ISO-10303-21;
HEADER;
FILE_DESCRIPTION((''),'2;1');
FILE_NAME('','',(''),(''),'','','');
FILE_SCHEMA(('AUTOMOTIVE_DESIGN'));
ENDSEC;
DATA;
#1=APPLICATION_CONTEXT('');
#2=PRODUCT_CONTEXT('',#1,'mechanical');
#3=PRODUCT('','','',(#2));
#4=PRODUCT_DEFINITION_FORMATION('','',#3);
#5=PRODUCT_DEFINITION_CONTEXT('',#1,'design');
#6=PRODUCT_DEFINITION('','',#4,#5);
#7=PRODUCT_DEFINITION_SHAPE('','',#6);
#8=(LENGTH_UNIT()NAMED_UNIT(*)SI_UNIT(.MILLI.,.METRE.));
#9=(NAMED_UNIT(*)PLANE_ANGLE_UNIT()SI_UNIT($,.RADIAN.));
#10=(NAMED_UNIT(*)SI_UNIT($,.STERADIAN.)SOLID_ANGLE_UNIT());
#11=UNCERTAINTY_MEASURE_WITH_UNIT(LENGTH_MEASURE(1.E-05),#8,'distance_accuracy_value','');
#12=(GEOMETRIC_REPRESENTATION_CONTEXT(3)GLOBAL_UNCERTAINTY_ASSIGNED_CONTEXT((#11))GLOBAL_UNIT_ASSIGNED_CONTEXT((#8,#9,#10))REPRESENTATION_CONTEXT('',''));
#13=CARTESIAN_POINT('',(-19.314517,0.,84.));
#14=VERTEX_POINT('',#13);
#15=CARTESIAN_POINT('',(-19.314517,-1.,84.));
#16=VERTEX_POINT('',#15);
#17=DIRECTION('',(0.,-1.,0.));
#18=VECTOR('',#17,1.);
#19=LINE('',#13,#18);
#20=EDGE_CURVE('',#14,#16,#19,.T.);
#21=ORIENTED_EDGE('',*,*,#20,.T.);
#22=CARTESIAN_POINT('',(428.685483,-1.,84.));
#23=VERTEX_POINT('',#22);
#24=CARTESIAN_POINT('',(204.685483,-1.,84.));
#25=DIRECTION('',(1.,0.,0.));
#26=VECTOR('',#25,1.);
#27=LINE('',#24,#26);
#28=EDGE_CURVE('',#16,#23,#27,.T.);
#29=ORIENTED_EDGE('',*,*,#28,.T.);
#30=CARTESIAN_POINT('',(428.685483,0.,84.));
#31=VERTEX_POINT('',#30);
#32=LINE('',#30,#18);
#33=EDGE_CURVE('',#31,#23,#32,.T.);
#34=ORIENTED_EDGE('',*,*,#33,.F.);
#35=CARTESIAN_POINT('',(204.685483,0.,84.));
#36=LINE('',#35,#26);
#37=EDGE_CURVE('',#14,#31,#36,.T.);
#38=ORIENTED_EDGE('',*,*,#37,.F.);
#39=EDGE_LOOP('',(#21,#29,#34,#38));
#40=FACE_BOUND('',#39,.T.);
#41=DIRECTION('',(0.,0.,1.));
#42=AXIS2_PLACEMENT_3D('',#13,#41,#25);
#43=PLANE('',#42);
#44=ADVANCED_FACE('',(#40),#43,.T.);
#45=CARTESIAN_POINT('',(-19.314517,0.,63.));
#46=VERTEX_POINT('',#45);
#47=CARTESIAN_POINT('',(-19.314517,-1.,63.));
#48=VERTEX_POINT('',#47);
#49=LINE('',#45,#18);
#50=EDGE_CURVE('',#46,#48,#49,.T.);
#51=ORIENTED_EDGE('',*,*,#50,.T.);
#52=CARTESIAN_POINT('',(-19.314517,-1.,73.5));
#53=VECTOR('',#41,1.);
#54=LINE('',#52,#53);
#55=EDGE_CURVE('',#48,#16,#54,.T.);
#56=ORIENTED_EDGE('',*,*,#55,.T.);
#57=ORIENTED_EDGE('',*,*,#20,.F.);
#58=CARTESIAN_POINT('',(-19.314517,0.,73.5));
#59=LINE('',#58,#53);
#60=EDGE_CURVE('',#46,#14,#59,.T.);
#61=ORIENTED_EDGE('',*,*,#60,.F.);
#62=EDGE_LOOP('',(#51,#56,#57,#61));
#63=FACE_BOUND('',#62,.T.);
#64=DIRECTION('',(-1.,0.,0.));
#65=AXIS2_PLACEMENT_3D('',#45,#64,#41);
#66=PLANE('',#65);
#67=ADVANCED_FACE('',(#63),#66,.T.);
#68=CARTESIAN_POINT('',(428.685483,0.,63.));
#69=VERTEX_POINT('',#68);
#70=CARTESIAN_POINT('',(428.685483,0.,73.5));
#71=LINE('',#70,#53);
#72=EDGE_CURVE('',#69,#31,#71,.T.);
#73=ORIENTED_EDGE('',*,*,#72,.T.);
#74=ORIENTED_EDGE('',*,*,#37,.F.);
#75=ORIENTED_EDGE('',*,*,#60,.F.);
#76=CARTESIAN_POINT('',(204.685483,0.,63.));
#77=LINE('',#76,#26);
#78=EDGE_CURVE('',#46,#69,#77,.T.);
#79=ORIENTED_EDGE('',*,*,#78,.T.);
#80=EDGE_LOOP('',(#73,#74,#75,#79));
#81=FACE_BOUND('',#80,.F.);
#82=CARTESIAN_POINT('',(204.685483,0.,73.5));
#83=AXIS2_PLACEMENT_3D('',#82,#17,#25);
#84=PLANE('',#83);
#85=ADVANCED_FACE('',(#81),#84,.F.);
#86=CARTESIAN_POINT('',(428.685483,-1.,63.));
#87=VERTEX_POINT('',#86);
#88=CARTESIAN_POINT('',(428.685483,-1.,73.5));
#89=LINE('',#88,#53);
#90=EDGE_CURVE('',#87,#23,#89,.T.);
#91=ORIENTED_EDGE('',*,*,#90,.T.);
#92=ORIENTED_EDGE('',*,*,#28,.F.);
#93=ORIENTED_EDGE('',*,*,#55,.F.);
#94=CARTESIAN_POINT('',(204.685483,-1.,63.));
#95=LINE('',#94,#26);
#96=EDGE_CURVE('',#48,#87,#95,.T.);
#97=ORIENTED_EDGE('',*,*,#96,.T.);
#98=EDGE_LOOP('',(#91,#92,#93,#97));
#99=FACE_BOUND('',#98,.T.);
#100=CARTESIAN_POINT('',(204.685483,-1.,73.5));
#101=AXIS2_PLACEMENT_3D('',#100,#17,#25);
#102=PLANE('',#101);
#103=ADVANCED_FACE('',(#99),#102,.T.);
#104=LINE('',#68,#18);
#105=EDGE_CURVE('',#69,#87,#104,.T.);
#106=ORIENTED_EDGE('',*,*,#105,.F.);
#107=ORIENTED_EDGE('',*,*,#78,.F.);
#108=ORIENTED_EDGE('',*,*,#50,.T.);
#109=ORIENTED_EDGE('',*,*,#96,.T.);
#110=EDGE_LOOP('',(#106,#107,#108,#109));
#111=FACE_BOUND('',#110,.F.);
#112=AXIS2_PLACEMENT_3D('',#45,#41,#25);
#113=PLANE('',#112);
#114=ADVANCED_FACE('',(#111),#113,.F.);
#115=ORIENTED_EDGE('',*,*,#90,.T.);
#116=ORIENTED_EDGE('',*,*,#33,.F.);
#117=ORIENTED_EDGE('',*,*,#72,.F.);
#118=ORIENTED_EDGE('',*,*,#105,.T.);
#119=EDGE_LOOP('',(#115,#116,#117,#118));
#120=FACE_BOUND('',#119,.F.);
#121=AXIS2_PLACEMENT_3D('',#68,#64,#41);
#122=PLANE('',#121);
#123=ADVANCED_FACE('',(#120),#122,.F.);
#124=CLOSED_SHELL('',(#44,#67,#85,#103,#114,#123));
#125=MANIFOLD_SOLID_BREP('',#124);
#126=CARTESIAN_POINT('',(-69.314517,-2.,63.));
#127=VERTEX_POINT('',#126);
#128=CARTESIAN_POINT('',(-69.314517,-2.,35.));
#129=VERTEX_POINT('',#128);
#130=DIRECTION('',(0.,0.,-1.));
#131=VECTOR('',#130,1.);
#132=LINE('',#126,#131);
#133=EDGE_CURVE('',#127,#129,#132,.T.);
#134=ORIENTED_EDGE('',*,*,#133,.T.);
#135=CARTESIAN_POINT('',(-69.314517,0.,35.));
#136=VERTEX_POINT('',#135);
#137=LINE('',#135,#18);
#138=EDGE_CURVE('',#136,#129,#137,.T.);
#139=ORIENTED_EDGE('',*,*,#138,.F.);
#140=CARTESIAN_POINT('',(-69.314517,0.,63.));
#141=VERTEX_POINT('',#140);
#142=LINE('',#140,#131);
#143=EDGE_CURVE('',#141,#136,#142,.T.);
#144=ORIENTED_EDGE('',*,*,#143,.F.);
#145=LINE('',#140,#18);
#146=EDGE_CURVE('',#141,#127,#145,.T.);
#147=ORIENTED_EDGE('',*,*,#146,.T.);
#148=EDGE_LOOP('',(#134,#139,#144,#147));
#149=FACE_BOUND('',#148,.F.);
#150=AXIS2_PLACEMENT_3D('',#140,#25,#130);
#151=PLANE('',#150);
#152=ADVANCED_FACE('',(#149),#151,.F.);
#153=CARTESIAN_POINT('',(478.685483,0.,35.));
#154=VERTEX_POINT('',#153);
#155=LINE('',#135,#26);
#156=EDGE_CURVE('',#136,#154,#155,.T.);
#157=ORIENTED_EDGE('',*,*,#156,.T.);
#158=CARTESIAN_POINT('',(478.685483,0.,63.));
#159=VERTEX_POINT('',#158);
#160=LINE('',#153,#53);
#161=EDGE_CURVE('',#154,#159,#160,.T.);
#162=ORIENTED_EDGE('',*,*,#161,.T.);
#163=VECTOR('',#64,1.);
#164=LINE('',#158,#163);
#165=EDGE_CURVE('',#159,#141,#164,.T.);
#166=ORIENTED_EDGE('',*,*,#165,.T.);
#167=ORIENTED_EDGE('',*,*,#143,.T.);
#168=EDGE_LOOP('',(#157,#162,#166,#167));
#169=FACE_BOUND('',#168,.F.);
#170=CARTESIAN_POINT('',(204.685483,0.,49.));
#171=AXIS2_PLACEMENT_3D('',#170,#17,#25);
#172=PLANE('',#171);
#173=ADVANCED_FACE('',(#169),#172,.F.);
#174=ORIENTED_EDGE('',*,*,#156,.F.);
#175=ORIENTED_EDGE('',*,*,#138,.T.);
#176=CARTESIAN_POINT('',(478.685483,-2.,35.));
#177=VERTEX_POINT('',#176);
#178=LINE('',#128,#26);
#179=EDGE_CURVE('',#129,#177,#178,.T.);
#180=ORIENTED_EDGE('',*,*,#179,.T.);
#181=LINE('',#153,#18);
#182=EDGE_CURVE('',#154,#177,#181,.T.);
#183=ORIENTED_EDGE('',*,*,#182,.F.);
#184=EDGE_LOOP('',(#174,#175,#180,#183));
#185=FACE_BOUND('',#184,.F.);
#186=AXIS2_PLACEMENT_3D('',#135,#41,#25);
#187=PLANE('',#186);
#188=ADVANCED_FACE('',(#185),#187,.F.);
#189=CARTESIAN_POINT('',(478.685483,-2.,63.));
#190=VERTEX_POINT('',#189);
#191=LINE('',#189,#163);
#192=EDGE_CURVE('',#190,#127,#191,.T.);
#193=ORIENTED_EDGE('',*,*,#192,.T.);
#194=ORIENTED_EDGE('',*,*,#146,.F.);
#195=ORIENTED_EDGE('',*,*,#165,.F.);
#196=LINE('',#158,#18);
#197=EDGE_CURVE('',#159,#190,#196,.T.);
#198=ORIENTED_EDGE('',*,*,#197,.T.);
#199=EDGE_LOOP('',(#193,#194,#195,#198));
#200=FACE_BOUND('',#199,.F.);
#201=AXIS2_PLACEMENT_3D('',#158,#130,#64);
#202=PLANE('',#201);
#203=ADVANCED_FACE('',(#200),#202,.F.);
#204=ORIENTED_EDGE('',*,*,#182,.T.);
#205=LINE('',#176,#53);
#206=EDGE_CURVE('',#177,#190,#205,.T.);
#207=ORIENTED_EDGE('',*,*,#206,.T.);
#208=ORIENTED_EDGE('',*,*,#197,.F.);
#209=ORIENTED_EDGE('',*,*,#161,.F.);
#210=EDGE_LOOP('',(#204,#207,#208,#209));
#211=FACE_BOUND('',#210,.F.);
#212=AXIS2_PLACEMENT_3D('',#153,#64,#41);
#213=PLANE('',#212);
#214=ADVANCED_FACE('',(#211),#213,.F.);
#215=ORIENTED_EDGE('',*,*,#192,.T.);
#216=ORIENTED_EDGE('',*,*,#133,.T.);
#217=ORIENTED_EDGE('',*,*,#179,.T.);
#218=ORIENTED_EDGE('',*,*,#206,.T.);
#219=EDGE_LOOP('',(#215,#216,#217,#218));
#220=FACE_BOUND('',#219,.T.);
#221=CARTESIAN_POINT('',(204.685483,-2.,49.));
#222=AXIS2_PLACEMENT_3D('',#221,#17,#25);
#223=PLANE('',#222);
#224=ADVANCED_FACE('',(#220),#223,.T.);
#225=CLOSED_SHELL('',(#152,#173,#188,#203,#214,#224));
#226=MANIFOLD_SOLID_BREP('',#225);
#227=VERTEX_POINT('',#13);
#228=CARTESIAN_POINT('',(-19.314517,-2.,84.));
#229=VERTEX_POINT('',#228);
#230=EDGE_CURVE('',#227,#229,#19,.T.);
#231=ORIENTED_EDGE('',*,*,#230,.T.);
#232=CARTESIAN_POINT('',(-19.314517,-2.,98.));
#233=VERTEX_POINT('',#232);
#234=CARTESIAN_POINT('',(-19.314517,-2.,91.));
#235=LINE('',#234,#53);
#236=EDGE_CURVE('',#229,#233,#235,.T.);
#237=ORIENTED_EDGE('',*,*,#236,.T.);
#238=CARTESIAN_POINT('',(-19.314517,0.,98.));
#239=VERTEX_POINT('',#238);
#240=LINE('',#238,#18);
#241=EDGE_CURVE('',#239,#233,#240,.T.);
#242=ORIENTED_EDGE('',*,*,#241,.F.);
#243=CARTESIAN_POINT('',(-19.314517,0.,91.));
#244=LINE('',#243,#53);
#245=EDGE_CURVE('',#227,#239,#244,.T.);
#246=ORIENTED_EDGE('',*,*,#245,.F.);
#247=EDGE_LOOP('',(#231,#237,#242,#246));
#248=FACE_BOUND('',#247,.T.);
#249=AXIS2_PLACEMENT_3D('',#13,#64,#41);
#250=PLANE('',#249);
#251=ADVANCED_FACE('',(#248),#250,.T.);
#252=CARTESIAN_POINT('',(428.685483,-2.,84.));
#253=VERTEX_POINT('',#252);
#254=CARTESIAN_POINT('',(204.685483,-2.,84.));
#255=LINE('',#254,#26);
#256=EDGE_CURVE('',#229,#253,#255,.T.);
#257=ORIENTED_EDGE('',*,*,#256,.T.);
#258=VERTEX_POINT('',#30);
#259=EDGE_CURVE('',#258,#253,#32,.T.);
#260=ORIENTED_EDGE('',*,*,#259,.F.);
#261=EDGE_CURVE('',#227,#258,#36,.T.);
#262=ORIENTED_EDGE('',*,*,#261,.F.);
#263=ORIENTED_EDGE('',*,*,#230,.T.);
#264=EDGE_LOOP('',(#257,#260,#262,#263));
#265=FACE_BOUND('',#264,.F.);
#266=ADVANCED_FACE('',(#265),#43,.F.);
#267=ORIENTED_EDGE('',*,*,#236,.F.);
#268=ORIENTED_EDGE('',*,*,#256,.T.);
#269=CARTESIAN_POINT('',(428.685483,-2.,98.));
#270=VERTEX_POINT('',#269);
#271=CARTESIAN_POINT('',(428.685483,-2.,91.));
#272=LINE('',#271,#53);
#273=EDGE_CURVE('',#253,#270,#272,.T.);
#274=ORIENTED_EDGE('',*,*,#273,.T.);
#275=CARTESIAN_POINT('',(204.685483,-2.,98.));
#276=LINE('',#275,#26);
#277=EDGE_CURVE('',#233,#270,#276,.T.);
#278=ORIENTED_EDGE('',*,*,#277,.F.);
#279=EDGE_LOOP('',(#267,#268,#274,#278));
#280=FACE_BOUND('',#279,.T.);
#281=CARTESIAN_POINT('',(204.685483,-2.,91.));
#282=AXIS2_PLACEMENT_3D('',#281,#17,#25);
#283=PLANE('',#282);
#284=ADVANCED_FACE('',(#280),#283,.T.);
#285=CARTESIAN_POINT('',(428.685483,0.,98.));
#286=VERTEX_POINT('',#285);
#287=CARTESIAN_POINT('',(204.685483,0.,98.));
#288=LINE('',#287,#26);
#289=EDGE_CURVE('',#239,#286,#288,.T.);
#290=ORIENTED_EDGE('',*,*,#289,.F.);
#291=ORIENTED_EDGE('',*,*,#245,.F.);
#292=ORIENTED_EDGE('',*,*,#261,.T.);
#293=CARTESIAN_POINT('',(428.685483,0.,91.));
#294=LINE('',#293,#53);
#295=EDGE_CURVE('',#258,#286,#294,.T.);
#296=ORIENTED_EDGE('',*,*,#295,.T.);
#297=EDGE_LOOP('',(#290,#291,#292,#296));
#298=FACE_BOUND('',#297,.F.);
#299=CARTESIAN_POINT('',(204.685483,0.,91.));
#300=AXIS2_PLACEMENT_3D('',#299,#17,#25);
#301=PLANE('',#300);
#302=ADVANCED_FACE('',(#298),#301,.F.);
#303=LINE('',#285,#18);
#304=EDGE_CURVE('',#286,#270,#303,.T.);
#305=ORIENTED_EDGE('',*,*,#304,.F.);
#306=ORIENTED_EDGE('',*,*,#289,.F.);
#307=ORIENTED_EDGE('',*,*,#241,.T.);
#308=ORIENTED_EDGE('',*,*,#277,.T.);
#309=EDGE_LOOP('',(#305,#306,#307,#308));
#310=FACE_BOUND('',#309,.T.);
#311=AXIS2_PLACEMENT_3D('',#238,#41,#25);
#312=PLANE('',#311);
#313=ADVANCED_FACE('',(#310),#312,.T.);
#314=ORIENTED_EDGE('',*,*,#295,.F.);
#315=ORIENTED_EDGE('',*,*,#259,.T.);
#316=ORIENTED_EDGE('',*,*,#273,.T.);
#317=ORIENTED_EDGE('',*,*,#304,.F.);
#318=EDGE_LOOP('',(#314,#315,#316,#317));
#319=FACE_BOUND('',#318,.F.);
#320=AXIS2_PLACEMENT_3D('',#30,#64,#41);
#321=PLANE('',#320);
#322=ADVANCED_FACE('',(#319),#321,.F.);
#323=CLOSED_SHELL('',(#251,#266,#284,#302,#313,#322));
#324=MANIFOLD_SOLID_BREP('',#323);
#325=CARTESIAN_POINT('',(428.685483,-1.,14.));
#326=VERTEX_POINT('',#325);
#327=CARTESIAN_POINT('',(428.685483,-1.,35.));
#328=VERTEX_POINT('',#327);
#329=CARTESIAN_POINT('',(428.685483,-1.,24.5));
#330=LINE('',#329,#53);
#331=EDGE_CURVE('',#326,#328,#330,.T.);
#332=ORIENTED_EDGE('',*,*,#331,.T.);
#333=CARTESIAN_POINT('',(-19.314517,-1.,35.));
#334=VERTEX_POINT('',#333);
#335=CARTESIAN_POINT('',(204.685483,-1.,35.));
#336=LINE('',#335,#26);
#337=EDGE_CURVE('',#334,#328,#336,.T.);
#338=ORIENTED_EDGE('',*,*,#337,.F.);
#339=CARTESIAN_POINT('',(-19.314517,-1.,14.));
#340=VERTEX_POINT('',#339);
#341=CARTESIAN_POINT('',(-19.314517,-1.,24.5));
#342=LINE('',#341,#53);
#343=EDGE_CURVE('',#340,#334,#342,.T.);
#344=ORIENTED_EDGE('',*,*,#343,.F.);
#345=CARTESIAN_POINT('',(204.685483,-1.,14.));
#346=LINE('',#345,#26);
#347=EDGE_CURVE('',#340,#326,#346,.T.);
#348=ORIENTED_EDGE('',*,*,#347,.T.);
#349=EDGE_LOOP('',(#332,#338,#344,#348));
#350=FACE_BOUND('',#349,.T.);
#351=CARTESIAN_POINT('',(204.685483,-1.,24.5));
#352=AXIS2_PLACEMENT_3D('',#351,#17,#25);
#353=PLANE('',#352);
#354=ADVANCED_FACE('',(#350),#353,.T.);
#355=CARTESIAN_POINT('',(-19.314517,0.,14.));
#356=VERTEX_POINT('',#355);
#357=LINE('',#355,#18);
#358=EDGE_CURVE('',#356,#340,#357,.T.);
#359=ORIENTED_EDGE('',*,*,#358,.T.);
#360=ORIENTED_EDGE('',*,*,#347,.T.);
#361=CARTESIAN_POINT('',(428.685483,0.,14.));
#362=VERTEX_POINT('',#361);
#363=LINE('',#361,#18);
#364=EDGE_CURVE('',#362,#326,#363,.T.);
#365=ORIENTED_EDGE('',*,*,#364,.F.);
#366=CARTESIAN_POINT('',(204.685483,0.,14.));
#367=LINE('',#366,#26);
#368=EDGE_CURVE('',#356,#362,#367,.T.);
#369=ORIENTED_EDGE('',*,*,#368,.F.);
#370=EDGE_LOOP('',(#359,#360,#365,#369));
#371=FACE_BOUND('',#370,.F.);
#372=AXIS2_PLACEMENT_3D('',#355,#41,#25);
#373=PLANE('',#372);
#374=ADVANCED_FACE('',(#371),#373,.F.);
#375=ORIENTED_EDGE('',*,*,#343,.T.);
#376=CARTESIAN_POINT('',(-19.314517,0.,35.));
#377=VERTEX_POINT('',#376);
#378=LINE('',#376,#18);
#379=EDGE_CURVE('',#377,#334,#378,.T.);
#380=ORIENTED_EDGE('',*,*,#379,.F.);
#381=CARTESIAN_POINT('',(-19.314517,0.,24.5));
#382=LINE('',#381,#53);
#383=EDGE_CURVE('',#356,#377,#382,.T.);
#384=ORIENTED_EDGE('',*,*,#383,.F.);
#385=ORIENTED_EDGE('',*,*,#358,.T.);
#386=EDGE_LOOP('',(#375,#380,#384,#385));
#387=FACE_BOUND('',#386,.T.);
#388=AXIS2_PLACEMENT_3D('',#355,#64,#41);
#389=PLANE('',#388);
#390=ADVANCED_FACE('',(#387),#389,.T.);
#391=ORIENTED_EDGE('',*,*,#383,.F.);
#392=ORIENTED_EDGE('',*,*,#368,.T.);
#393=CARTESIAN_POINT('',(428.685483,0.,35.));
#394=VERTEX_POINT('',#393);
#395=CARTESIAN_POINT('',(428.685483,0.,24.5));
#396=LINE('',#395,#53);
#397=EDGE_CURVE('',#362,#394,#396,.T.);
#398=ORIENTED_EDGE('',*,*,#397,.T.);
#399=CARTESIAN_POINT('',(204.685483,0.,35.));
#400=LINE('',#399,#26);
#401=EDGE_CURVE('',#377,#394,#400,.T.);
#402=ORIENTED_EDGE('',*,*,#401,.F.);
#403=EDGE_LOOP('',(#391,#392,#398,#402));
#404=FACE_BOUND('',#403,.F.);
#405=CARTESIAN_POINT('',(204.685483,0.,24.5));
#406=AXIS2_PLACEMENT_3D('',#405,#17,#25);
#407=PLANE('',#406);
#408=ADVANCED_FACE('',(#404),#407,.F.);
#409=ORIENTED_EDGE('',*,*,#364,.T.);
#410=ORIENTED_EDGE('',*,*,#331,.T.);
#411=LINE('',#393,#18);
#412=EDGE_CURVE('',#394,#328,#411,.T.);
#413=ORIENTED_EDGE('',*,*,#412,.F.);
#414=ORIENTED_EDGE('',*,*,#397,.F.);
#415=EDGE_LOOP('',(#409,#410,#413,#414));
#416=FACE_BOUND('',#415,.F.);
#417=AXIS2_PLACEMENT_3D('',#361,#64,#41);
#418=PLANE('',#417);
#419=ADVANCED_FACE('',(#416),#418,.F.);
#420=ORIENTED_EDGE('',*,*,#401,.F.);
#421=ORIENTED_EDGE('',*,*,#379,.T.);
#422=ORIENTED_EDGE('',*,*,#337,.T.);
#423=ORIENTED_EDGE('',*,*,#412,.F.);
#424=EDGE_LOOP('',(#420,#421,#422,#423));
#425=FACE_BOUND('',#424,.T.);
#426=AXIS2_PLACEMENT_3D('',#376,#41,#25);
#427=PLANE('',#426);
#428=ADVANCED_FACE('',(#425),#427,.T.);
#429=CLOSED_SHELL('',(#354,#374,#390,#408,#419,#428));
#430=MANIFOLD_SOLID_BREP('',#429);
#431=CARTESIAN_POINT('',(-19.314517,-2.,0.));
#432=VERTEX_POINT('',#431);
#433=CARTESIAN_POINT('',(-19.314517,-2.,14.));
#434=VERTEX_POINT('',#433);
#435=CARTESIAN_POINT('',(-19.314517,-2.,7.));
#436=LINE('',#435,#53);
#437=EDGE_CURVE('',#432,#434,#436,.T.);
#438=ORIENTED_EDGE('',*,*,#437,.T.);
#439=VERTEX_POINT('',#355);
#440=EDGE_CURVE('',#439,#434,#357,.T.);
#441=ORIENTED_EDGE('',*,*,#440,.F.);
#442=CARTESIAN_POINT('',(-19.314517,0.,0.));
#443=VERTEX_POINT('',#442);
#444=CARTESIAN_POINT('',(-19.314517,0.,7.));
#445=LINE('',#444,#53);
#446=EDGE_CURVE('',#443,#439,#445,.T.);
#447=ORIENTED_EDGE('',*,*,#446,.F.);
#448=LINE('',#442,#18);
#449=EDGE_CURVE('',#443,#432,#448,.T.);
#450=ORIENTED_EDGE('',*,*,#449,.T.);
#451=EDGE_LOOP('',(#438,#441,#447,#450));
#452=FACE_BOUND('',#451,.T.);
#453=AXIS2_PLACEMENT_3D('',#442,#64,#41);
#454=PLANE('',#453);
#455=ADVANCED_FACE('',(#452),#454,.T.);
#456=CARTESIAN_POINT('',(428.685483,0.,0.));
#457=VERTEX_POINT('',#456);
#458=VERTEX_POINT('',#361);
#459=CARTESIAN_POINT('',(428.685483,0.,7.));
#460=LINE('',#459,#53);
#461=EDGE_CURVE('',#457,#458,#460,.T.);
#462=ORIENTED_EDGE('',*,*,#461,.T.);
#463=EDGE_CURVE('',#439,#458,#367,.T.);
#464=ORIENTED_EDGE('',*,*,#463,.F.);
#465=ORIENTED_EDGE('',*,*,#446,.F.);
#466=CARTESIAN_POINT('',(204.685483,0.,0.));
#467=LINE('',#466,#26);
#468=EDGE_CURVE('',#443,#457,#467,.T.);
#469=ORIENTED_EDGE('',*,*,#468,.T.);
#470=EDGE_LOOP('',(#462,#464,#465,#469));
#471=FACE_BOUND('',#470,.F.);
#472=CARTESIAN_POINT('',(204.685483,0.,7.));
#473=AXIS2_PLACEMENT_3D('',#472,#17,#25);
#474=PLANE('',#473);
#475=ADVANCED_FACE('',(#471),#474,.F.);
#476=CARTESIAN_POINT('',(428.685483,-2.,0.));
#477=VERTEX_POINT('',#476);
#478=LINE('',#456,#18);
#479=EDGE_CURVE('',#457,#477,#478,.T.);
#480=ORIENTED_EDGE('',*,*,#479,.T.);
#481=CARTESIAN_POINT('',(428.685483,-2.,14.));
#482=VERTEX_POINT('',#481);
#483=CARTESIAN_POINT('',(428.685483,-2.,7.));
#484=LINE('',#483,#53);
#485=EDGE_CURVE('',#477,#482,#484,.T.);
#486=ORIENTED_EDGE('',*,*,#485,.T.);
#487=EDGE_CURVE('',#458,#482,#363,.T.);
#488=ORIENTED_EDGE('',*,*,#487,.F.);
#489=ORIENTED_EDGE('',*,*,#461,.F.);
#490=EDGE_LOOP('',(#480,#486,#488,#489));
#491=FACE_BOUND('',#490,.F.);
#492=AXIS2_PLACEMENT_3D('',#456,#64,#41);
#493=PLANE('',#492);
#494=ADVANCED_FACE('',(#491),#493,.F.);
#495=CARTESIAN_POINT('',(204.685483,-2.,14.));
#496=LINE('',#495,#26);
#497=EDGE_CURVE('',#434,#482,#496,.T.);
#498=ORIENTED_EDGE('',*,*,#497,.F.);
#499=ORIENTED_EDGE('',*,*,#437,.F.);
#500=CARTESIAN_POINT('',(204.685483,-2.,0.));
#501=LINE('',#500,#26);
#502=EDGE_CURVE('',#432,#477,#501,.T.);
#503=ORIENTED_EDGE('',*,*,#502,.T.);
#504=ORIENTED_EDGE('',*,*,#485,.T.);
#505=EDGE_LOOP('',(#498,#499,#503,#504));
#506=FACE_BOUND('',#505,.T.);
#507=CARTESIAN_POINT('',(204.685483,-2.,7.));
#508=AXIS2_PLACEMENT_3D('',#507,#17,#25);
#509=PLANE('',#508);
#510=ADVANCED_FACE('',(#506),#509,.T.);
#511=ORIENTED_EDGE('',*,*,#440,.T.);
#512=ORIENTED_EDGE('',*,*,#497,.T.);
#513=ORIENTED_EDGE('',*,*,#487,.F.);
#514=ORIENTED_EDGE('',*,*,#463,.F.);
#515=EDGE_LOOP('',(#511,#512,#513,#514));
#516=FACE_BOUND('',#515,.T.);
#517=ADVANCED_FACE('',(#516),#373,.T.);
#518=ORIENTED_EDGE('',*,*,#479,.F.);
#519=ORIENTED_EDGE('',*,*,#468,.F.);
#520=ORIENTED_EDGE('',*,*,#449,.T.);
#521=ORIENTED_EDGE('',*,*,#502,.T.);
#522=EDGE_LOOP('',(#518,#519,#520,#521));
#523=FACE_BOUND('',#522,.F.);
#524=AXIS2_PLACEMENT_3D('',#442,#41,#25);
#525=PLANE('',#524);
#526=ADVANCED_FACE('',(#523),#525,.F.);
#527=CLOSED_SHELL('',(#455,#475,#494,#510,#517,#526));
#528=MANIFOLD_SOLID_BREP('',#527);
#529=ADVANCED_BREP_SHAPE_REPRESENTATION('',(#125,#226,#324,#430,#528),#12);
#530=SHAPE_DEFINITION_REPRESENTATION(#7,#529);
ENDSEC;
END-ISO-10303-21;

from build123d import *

# Parameters (mm, degrees)
F0_W     = 448
F0_H     = 14
F1_DEPTH = 2
F0_H_2   = 21
F2_DEPTH = 1


with BuildPart() as f1:
    # F0 (on Front) → F1 (new body)
    with BuildSketch(Plane.XZ):
        with Locations((204.685483, 91)):
            Rectangle(F0_W, F0_H)
        Polygon((-69.314517, 35), (-19.314517, 35), (428.685483, 35), (478.685483, 35), (478.685483, 63), (428.685483, 63), (-19.314517, 63), (-69.314517, 63), align=None)
        with Locations((204.685483, 7)):
            Rectangle(F0_W, F0_H)
    extrude(amount=F1_DEPTH)


with BuildPart() as f2:
    # F0 (on Front) → F2 (new body)
    with BuildSketch(Plane.XZ):
        with Locations((204.685483, 73.5)):
            Rectangle(F0_W, F0_H_2)
        with Locations((204.685483, 24.5)):
            Rectangle(F0_W, F0_H_2)
    extrude(amount=F2_DEPTH)


solid = Compound([f1.part, f2.part])
